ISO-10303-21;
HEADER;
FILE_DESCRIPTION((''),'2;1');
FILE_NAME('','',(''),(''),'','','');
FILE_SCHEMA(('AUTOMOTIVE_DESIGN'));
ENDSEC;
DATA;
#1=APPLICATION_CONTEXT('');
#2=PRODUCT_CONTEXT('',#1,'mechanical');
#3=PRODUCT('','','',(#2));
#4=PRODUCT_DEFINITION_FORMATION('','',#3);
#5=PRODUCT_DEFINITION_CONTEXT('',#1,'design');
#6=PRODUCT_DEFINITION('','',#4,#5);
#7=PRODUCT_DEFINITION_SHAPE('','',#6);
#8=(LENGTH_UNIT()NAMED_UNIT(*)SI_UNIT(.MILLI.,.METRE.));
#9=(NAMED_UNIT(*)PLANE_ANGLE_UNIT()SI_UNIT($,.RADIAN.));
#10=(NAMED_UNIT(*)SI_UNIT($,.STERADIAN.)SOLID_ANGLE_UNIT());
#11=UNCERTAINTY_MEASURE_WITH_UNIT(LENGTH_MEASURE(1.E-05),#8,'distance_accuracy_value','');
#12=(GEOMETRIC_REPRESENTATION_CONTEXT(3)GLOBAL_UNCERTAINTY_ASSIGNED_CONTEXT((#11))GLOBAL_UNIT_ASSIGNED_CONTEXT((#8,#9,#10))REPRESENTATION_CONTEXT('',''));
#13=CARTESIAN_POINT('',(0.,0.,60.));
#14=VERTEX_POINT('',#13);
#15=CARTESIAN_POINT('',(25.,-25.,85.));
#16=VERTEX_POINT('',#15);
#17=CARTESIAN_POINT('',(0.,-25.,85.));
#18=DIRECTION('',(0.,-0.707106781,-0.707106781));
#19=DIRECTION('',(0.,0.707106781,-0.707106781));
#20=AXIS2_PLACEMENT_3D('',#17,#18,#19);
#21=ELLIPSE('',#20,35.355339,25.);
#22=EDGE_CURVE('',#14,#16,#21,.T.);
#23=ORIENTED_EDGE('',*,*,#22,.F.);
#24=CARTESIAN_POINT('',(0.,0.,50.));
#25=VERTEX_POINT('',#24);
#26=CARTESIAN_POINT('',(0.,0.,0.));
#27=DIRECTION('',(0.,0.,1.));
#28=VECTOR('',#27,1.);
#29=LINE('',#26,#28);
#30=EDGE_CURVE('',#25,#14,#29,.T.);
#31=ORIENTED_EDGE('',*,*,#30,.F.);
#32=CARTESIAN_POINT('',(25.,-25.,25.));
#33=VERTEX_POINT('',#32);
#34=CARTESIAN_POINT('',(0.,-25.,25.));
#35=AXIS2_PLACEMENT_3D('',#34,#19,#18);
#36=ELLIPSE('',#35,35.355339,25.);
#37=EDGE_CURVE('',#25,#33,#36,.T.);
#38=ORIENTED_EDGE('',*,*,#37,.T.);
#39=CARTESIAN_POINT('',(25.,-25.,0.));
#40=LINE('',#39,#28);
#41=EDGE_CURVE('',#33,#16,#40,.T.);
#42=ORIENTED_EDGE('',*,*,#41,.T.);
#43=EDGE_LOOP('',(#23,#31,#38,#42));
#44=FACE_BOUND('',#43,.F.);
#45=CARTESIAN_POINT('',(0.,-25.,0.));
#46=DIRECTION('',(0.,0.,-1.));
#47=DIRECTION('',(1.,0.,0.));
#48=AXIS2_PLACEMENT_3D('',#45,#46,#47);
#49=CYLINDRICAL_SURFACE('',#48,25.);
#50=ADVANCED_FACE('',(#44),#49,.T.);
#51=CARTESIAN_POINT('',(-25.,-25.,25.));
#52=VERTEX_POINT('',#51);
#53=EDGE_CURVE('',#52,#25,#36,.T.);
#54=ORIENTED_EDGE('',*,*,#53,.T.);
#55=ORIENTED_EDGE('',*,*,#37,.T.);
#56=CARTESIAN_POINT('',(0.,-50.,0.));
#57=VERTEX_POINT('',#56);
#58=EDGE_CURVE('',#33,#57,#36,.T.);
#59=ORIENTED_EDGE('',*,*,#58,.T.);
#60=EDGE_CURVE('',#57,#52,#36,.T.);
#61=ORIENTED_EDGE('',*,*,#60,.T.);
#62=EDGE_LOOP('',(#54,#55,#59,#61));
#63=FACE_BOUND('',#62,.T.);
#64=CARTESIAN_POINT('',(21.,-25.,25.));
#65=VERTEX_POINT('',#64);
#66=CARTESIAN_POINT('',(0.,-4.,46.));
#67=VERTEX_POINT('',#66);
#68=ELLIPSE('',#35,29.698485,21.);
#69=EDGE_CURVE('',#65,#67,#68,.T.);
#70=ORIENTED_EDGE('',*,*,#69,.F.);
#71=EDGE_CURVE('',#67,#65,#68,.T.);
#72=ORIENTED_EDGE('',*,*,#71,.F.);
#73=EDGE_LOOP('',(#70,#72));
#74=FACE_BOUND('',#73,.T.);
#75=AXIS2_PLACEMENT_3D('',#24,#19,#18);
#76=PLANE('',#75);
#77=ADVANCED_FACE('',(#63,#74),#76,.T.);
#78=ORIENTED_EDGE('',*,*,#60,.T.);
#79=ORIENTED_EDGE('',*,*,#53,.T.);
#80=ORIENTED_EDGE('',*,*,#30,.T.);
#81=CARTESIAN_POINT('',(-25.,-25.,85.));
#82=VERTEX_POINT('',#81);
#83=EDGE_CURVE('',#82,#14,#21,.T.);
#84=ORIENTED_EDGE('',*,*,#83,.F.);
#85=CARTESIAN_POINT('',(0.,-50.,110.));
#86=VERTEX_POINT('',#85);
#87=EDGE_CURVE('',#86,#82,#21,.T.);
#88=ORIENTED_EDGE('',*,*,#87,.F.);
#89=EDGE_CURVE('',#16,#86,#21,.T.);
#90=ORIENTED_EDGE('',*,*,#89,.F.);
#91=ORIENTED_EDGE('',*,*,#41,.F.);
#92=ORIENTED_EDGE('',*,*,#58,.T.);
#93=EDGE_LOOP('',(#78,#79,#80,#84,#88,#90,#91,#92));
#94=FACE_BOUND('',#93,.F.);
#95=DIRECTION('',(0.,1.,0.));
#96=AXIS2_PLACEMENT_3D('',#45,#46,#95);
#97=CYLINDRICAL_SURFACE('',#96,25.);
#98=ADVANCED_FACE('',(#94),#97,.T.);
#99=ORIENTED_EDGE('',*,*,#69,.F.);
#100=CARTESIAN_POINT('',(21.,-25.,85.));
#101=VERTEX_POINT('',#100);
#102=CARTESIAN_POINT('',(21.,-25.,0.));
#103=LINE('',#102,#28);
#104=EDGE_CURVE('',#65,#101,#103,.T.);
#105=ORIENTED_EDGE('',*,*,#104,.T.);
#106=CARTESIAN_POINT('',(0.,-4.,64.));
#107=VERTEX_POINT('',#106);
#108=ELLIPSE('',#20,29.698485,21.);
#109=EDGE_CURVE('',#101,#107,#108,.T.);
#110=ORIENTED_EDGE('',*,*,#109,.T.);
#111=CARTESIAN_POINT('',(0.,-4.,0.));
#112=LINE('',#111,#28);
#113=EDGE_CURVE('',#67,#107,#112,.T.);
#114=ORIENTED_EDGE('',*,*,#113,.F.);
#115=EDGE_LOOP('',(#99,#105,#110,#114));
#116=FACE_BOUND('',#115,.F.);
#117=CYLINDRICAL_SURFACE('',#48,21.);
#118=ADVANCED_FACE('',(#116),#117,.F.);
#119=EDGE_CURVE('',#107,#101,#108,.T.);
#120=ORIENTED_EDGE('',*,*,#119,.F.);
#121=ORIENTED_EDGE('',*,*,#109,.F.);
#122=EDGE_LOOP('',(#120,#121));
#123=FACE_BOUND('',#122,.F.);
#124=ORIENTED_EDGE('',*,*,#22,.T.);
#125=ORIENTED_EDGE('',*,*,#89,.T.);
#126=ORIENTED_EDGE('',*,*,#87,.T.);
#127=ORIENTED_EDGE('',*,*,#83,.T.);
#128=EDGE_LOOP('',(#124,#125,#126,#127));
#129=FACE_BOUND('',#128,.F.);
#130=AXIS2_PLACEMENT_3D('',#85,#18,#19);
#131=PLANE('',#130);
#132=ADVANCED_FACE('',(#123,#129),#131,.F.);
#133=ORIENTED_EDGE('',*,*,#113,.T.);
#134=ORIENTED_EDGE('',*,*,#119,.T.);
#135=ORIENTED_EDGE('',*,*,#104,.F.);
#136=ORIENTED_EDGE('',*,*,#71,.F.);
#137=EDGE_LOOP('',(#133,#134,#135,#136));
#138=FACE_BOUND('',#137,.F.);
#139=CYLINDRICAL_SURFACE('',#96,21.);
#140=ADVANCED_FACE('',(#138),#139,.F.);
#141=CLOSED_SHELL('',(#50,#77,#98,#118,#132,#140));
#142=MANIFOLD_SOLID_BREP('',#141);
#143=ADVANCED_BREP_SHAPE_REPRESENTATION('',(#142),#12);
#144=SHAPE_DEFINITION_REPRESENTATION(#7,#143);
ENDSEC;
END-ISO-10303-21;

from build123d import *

# Parameters (mm, degrees)
F2_DEPTH = 110
F3_DEPTH = 25


with BuildPart() as f2:
    # F1 (on Top) → F2 (new body)
    with BuildSketch(Plane.XY):
        with BuildLine():
            ThreePointArc((25, -25), (17.6776695297, -7.3223304703), (0, 0))
            ThreePointArc((0, 0), (-17.6776695297, -42.6776695297), (25, -25))
        make_face()
        with BuildLine():
            ThreePointArc((21, -25), (-14.8492424049, -39.8492424049), (0, -4))
            ThreePointArc((0, -4), (14.8492424049, -10.1507575951), (21, -25))
        make_face(mode=Mode.SUBTRACT)
    extrude(amount=F2_DEPTH)

    # F0 (on Right) → F3 (cut, symmetric)
    with BuildSketch(Plane.YZ):
        Polygon((-50, 0), (0, 0), (0, 50), align=None)
        Polygon((-11.7635997148, 71.7635997148), (0, 60), (0, 71.7635997148), align=None)
        Polygon((-50, 110), (-11.7635997148, 71.7635997148), (0, 71.7635997148), (0, 110), align=None)
    extrude(amount=F3_DEPTH, both=True, mode=Mode.SUBTRACT)


solid = f2.part
